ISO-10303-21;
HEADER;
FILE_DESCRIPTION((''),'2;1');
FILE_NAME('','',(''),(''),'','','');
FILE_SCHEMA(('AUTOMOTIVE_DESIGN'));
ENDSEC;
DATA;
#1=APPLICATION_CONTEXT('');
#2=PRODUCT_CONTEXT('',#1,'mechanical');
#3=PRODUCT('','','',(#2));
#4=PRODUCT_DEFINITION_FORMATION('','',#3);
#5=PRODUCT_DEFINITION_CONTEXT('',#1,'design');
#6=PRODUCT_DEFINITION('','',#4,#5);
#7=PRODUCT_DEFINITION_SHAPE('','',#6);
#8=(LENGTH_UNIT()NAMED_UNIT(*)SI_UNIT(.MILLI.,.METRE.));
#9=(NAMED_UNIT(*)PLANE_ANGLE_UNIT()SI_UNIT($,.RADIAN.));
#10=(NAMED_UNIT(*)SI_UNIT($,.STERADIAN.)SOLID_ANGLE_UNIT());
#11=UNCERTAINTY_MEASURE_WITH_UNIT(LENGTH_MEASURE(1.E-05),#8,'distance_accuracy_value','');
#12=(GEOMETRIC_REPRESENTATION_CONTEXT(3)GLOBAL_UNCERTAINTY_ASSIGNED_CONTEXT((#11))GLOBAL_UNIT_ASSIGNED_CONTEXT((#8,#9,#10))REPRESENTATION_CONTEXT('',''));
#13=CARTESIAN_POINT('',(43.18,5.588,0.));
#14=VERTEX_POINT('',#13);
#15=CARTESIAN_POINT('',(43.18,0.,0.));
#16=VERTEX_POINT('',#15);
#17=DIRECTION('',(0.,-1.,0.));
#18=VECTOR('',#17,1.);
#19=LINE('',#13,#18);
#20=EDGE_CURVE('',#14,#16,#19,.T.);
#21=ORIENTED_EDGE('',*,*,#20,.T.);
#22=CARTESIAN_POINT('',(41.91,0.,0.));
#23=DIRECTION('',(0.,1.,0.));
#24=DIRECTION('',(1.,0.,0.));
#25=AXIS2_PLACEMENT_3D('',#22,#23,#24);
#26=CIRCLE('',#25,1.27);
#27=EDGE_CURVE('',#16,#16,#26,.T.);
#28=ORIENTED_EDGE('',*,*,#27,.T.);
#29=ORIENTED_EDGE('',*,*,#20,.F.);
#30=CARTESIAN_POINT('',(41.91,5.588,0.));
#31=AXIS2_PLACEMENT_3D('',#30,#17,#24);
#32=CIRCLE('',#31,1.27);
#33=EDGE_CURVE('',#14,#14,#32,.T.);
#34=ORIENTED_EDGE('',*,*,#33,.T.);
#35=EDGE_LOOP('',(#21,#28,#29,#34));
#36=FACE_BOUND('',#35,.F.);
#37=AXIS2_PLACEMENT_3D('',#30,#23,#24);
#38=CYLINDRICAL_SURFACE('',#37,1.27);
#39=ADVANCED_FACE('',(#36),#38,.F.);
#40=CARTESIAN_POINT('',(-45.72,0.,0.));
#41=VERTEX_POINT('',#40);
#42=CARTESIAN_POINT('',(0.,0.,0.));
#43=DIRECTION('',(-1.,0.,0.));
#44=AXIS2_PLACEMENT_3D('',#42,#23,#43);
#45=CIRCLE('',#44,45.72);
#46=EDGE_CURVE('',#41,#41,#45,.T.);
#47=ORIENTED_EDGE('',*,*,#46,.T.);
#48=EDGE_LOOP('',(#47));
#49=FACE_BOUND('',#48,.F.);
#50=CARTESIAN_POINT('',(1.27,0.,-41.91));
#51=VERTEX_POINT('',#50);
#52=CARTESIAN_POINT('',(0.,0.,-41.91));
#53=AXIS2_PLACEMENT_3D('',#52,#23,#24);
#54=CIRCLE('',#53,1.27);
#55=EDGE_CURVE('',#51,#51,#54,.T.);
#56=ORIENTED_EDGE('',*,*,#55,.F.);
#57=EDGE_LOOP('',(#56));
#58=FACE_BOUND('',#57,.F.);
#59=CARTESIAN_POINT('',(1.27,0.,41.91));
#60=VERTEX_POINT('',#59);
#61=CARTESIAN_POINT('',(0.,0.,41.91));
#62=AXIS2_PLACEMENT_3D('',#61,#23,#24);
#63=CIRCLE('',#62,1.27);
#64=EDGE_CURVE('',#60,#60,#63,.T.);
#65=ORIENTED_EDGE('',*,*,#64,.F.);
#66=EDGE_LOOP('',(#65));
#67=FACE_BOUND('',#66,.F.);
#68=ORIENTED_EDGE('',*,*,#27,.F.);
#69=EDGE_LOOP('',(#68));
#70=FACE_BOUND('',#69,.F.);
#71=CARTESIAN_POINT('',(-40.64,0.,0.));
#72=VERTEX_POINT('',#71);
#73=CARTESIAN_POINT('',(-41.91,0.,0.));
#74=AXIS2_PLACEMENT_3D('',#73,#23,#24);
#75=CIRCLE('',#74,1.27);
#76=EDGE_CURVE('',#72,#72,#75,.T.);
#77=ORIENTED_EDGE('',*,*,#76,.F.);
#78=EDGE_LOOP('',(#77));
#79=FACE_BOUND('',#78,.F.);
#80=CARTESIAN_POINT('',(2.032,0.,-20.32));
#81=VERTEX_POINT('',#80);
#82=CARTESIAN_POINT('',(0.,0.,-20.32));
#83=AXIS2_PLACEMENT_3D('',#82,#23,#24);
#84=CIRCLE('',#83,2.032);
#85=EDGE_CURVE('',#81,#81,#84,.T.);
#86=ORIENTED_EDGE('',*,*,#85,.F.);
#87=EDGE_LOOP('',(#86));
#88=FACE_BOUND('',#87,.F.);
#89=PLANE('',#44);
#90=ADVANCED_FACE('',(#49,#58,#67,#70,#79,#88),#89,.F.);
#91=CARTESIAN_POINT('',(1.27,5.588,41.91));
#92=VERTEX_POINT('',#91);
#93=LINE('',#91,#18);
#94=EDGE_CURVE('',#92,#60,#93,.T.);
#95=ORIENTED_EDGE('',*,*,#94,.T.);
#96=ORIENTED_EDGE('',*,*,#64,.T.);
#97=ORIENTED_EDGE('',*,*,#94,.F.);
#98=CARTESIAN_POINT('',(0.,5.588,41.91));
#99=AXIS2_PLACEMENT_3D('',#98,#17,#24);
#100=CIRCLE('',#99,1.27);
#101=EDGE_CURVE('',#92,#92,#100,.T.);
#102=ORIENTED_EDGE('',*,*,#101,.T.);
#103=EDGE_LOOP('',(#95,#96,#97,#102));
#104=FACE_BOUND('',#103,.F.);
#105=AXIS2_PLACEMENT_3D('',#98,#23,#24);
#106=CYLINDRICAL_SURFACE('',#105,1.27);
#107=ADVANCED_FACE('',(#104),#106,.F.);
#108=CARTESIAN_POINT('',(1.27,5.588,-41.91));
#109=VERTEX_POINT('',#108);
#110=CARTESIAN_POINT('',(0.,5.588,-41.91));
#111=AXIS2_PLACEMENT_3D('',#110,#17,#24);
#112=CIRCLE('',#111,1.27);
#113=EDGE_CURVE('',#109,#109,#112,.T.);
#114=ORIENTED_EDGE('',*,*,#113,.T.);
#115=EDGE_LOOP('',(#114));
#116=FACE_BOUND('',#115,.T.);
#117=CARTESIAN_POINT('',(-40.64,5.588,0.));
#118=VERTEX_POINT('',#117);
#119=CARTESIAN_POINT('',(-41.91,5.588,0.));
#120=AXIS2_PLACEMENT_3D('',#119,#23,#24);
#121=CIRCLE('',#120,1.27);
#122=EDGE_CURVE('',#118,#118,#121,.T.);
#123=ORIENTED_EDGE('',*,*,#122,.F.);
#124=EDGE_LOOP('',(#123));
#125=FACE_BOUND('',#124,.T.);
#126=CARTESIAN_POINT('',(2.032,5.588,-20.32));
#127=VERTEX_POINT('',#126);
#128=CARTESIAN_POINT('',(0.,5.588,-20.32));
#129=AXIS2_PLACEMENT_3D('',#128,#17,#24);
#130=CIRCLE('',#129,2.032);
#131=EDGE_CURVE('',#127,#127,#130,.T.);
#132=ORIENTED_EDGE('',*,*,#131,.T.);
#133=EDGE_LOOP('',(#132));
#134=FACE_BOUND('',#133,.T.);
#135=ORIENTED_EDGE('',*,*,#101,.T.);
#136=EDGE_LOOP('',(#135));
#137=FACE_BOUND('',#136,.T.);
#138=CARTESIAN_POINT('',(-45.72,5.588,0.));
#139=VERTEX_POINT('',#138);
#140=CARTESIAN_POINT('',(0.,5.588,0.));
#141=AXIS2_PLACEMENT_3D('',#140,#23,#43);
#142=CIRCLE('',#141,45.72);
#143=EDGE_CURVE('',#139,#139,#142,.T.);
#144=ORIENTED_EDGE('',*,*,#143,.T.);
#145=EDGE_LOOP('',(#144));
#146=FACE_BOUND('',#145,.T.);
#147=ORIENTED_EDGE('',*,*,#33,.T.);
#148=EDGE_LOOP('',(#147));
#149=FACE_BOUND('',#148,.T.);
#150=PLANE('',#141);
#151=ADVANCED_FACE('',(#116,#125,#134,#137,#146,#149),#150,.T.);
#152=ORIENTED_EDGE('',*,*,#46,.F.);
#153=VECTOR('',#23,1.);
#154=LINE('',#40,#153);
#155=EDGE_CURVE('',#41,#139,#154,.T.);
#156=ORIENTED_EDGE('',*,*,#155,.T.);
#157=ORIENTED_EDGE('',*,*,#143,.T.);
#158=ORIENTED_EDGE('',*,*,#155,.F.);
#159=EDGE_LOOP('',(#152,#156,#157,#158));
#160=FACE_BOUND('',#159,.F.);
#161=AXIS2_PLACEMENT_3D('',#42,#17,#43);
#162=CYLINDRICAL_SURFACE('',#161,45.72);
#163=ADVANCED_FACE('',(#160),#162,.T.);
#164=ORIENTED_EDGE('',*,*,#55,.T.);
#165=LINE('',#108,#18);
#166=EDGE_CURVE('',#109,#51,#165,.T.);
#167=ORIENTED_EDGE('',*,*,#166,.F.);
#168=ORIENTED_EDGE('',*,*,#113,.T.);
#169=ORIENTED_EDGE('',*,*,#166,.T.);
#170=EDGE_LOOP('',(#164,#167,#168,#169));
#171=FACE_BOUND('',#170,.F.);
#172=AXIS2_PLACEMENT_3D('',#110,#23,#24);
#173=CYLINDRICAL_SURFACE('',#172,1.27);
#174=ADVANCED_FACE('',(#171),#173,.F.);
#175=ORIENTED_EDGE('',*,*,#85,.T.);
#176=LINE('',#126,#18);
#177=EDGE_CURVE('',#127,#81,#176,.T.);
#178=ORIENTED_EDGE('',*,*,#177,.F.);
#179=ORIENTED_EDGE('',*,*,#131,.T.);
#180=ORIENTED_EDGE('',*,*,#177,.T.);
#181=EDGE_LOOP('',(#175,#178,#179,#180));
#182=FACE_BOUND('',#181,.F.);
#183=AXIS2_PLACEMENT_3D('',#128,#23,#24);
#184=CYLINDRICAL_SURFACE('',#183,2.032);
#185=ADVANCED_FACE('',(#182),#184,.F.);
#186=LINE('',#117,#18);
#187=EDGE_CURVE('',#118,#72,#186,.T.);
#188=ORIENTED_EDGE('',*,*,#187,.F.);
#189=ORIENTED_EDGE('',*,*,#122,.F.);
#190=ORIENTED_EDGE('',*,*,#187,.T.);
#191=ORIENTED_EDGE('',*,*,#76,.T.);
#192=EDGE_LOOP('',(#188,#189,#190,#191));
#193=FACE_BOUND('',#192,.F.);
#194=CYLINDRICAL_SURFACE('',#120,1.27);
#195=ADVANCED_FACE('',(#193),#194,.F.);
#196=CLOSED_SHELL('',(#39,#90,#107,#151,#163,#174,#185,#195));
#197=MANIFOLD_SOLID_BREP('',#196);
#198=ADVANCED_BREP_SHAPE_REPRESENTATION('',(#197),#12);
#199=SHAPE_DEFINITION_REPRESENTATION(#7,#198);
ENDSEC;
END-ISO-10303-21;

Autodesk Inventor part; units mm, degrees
ref_plane "YZ Plane" through (0, 0, 0) normal (1, 0, 0) x (0, 1, 0)
ref_plane "XZ Plane" through (0, 0, 0) normal (0, 1, 0) x (-1, 0, 0)
ref_plane "XY Plane" through (0, 0, 0) normal (0, 0, 1) x (1, 0, 0)
sketch "Sketch1" plane through (0, 0, 0) normal (0, 1, 0) x (-1, 0, 0)
  circle A0 centre (0, 0) radius 45.72
  dimension "d0" = 91.44
extrude "Extrusion1" add sketch "Sketch1" along normal blind 5.588
sketch "Sketch2" plane through (0, 5.588, 0) normal (0, 1, 0) x (1, 0, 0)
  circle A0 centre (0, 0) radius 38.1
  line L0 (0, 0) -> (0, 20.32)
  circle A1 centre (0, 20.32) radius 2.032
  line L1 (0, 0) -> (-41.91, 0)
  line L2 (0, 0) -> (0, -41.91)
  line L3 (0, 0) -> (41.91, 0)
  line L4 (0, 0) -> (0, 41.91)
  circle A2 centre (-41.91, 0) radius 1.27
  circle A3 centre (0, 41.91) radius 1.27
  circle A4 centre (41.91, 0) radius 1.27
  circle A5 centre (0, -41.91) radius 1.27
  dimension "d3" = 76.2
  dimension "d4" = 20.32
  dimension "d5" = 4.064
  dimension "d8" = 41.91
  dimension "d9" = 41.91
  dimension "d10" = 41.91
  dimension "d11" = 41.91
  dimension "d12" = 2.54
  dimension "d13" = 2.54
  dimension "d14" = 2.54
  dimension "d15" = 2.54
extrude "Extrusion2" cut sketch "Sketch2" against normal blind 5.588 contours A5 | A2 | A3 | A4 | L4 L0 A1 | A1 L0 L4
properties part number "seal3" material "Plastic, Transparent"
